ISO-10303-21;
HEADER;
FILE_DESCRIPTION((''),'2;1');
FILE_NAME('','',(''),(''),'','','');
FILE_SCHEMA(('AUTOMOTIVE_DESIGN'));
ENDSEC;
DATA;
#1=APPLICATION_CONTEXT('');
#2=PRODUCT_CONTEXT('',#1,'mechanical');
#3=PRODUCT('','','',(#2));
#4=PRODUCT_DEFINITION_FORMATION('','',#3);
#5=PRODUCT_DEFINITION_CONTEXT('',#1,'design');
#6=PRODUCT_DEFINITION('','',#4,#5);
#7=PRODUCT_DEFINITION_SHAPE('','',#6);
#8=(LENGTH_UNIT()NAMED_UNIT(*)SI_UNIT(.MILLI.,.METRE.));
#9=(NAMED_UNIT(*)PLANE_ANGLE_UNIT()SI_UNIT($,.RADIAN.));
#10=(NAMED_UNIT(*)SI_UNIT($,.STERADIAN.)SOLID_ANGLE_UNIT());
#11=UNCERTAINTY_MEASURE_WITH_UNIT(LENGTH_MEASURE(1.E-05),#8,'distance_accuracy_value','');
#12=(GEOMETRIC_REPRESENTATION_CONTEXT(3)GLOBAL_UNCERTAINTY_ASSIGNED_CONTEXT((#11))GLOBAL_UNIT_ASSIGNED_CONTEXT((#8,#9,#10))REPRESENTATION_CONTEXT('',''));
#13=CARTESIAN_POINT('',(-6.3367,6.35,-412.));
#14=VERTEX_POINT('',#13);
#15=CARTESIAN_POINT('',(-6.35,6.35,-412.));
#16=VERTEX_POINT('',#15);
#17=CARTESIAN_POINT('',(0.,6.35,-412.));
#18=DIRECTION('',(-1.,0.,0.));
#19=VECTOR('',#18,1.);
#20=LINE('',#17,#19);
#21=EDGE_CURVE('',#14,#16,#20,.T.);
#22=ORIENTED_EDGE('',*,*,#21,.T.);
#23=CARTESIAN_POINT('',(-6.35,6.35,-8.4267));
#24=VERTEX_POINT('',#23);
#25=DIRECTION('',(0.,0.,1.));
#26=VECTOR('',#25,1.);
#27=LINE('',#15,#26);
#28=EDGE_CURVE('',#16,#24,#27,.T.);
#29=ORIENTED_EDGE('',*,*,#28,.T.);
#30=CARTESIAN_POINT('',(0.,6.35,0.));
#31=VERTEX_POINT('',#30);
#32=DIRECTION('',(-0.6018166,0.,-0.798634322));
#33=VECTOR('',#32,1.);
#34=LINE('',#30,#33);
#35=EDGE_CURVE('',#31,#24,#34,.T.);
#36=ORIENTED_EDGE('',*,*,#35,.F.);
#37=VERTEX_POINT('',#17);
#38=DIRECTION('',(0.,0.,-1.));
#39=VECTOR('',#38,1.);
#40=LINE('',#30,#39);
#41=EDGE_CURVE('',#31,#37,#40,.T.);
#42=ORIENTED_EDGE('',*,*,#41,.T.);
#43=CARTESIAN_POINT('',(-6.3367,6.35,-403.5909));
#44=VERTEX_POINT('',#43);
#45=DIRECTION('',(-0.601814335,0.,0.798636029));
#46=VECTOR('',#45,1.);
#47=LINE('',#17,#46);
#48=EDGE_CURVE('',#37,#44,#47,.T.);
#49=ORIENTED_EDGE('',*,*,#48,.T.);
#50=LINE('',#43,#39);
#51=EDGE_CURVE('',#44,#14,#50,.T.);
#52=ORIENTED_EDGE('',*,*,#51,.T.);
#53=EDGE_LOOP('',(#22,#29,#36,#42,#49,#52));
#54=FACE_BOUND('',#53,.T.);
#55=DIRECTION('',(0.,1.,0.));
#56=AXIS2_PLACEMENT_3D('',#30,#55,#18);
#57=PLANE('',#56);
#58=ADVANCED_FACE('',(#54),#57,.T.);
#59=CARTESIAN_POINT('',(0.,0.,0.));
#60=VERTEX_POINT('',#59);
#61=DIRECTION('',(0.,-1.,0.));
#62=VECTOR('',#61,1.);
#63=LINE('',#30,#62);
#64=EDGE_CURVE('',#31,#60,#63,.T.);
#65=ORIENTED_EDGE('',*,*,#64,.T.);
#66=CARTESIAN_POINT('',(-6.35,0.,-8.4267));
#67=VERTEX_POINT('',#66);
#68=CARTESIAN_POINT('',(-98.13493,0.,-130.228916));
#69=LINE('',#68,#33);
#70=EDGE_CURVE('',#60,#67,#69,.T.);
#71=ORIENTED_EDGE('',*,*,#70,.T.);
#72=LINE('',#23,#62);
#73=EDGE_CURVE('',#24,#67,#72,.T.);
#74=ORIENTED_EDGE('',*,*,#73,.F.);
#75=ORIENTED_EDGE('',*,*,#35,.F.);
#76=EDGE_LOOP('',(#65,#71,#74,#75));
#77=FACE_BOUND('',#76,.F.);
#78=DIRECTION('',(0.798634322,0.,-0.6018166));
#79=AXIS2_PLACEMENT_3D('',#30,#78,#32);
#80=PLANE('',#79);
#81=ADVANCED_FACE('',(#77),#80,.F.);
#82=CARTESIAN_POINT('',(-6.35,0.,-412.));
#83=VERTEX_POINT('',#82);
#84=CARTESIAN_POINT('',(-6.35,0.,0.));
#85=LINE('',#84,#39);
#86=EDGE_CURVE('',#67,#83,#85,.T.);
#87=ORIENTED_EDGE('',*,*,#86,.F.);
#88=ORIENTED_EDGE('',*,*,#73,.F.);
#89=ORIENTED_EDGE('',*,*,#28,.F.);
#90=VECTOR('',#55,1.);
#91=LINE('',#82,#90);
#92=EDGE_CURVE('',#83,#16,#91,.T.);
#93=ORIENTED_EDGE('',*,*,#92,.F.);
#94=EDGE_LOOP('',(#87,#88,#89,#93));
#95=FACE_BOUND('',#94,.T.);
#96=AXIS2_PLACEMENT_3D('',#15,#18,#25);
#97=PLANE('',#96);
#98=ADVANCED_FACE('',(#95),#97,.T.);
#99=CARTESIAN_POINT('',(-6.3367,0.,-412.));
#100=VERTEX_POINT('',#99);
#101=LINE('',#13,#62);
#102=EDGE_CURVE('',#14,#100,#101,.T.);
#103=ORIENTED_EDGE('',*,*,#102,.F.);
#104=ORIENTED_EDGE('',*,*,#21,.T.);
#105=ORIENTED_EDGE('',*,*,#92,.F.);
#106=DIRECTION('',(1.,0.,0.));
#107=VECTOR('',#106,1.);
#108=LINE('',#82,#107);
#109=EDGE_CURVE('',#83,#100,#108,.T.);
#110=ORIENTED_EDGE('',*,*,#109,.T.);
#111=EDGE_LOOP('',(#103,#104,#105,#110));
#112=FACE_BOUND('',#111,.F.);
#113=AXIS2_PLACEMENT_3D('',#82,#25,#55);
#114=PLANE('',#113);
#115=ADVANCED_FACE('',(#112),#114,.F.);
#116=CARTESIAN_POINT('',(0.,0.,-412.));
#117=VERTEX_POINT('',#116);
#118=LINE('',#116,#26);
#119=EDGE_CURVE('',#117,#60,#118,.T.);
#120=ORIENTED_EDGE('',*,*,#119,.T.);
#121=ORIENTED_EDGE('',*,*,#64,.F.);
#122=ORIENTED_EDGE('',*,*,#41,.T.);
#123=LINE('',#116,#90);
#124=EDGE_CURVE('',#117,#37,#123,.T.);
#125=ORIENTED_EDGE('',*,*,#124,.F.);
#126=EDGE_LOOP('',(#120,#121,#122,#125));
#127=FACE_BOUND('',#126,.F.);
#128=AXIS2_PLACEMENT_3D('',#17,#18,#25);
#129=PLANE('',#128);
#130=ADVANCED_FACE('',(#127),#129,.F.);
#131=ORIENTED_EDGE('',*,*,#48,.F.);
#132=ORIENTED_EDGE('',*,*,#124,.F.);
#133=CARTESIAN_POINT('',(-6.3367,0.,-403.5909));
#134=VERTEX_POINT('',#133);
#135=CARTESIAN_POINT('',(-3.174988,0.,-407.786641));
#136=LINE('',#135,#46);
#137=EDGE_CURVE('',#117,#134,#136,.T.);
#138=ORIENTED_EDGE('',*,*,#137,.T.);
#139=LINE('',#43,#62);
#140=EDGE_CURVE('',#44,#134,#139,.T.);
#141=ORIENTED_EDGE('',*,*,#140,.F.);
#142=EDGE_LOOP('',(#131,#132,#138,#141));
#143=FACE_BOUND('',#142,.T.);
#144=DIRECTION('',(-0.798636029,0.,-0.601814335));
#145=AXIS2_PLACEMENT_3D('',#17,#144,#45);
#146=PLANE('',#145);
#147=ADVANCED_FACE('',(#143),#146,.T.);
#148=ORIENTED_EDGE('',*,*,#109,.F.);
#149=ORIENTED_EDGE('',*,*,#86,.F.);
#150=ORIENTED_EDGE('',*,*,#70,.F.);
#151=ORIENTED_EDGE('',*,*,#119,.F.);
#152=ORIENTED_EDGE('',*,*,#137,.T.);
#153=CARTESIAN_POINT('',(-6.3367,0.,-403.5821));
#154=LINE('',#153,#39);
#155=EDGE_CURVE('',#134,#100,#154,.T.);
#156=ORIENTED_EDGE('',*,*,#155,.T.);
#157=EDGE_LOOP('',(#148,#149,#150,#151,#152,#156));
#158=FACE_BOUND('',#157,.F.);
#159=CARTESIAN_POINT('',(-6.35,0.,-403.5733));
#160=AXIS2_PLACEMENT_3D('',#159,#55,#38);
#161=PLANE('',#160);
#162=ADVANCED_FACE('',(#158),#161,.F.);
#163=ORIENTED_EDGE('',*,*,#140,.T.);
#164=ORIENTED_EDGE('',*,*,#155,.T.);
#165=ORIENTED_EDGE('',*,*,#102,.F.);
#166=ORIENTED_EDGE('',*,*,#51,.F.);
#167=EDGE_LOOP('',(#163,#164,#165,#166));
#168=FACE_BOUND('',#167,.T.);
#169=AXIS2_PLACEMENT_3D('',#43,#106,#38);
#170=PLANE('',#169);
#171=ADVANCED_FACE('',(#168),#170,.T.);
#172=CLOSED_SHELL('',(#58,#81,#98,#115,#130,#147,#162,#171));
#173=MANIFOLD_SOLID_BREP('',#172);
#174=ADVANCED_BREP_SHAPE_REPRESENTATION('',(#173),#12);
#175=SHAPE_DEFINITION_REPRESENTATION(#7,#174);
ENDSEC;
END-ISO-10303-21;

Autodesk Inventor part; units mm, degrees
ref_plane "YZ Plane" through (0, 0, 0) normal (1, 0, 0) x (0, 1, 0)
ref_plane "XZ Plane" through (0, 0, 0) normal (0, 1, 0) x (-1, 0, 0)
ref_plane "XY Plane" through (0, 0, 0) normal (0, 0, 1) x (1, 0, 0)
sketch "Sketch1" plane through (0, 0, 0) normal (0, 1, 0) x (-1, 0, 0)
  line L0 (0, 0) -> (0, -412)
  line L1 (0, -412) -> (6.35, -412)
  line L2 (6.35, -412) -> (6.35, 0)
  line L3 (6.35, 0) -> (0, 0)
  dimension "d0" = 412
  dimension "d1" = 6.35
extrude "Extrusion1" add sketch "Sketch1" along normal blind 6.35
sketch "Sketch2" plane through (0, 6.35, 0) normal (0, 1, 0) x (1, 0, 0)
  point P0 (0, 0)
sketch "Sketch3" plane through (-6.35, 0, -412) normal (-1, 0, 0) x (0, 0, 1)
  line L0 (412, 6.35) -> (0, 6.35) projected
  point P0 (412, 0)
sketch "Sketch4" plane through (-6.35, 0, -412) normal (-1, 0, 0) x (0, 0, 1)
  line L0 (412, 6.35) -> (403.5733, 0)
  line L1 (412, 0) -> (0, 0) projected
  line L2 (412, 6.35) -> (422.5514, 6.35) construction
  line L3 (403.5733, 0) -> (412, 0)
  line L4 (412, 0) -> (412, 6.35)
  dimension "d6" = 143
extrude "Extrusion2" cut sketch "Sketch4" against normal blind 10
sketch "Sketch5" plane through (-6.35, 0, -412) normal (-1, 0, 0) x (0, 0, 1)
  line L0 (0, 6.35) -> (8.4267, 0)
  line L1 (0, 6.35) -> (10.5514, 6.35) construction
  line L2 (8.4267, 0) -> (0, 0)
  line L3 (0, 6.35) -> (412, 6.35) projected
  line L4 (0, 0) -> (0, 6.35)
  point P0 (412, 0)
  dimension "d9" = 37
extrude "Extrusion3" cut sketch "Sketch5" against normal blind 10
sketch "Sketch6" plane through (-6.35, 0, -403.5733) normal (-1, 0, 0) x (0, 0, 1)
  line L0 (403.5733, 6.35) -> (-8.4267, 6.35) projected
  line L1 (403.5733, 6.35) -> (403.5733, 0)
  line L2 (403.5733, 6.35) -> (395.1465, 0) projected
  line L3 (403.5733, 0) -> (395.1465, 0)
  line L4 (395.1465, 0) -> (403.5733, 6.35)
extrude "Extrusion4" add sketch "Sketch6" against normal blind 6.35
sketch "Sketch7" plane through (-6.35, 6.35, -412) normal (-1, 0, 0) x (0, 0, 1)
  line L0 (8.4267, -6.35) -> (412, -6.35) projected
  line L1 (8.4267, -6.35) -> (0, -6.35)
  line L2 (0, 0) -> (412, 0) projected
  line L3 (0, -6.35) -> (0, 0)
  line L4 (0, 0) -> (8.4267, -6.35)
extrude "Extrusion5" add sketch "Sketch7" against normal blind 6.35
sketch "Sketch8" plane through (0, 6.35, 0) normal (0, 1, 0) x (1, 0, 0)
  line L0 (-6.35, 0) -> (0, 0) projected
  line L1 (0, 0) -> (-6.35, 8.4267)
  line L2 (0, 0) -> (10.5514, 0) construction
  line L3 (-6.35, 8.4267) -> (-6.35, 0)
  line L4 (-6.35, 0) -> (0, 0)
  dimension "d16" = 127
extrude "Extrusion6" cut sketch "Sketch8" against normal blind 10
sketch "Sketch9" plane through (0, 6.35, 0) normal (0, 1, 0) x (1, 0, 0)
  line L0 (0, 412) -> (-6.3367, 403.5909)
  line L1 (0, 412) -> (10.5293, 412) construction
  line L2 (-6.3367, 403.5909) -> (-6.3367, 412)
  line L3 (0, 0) -> (0, 412) projected
  line L4 (-6.3367, 412) -> (0, 412)
  dimension "d19" = 127
extrude "Extrusion7" cut sketch "Sketch9" against normal blind 10
properties part number "Main"
